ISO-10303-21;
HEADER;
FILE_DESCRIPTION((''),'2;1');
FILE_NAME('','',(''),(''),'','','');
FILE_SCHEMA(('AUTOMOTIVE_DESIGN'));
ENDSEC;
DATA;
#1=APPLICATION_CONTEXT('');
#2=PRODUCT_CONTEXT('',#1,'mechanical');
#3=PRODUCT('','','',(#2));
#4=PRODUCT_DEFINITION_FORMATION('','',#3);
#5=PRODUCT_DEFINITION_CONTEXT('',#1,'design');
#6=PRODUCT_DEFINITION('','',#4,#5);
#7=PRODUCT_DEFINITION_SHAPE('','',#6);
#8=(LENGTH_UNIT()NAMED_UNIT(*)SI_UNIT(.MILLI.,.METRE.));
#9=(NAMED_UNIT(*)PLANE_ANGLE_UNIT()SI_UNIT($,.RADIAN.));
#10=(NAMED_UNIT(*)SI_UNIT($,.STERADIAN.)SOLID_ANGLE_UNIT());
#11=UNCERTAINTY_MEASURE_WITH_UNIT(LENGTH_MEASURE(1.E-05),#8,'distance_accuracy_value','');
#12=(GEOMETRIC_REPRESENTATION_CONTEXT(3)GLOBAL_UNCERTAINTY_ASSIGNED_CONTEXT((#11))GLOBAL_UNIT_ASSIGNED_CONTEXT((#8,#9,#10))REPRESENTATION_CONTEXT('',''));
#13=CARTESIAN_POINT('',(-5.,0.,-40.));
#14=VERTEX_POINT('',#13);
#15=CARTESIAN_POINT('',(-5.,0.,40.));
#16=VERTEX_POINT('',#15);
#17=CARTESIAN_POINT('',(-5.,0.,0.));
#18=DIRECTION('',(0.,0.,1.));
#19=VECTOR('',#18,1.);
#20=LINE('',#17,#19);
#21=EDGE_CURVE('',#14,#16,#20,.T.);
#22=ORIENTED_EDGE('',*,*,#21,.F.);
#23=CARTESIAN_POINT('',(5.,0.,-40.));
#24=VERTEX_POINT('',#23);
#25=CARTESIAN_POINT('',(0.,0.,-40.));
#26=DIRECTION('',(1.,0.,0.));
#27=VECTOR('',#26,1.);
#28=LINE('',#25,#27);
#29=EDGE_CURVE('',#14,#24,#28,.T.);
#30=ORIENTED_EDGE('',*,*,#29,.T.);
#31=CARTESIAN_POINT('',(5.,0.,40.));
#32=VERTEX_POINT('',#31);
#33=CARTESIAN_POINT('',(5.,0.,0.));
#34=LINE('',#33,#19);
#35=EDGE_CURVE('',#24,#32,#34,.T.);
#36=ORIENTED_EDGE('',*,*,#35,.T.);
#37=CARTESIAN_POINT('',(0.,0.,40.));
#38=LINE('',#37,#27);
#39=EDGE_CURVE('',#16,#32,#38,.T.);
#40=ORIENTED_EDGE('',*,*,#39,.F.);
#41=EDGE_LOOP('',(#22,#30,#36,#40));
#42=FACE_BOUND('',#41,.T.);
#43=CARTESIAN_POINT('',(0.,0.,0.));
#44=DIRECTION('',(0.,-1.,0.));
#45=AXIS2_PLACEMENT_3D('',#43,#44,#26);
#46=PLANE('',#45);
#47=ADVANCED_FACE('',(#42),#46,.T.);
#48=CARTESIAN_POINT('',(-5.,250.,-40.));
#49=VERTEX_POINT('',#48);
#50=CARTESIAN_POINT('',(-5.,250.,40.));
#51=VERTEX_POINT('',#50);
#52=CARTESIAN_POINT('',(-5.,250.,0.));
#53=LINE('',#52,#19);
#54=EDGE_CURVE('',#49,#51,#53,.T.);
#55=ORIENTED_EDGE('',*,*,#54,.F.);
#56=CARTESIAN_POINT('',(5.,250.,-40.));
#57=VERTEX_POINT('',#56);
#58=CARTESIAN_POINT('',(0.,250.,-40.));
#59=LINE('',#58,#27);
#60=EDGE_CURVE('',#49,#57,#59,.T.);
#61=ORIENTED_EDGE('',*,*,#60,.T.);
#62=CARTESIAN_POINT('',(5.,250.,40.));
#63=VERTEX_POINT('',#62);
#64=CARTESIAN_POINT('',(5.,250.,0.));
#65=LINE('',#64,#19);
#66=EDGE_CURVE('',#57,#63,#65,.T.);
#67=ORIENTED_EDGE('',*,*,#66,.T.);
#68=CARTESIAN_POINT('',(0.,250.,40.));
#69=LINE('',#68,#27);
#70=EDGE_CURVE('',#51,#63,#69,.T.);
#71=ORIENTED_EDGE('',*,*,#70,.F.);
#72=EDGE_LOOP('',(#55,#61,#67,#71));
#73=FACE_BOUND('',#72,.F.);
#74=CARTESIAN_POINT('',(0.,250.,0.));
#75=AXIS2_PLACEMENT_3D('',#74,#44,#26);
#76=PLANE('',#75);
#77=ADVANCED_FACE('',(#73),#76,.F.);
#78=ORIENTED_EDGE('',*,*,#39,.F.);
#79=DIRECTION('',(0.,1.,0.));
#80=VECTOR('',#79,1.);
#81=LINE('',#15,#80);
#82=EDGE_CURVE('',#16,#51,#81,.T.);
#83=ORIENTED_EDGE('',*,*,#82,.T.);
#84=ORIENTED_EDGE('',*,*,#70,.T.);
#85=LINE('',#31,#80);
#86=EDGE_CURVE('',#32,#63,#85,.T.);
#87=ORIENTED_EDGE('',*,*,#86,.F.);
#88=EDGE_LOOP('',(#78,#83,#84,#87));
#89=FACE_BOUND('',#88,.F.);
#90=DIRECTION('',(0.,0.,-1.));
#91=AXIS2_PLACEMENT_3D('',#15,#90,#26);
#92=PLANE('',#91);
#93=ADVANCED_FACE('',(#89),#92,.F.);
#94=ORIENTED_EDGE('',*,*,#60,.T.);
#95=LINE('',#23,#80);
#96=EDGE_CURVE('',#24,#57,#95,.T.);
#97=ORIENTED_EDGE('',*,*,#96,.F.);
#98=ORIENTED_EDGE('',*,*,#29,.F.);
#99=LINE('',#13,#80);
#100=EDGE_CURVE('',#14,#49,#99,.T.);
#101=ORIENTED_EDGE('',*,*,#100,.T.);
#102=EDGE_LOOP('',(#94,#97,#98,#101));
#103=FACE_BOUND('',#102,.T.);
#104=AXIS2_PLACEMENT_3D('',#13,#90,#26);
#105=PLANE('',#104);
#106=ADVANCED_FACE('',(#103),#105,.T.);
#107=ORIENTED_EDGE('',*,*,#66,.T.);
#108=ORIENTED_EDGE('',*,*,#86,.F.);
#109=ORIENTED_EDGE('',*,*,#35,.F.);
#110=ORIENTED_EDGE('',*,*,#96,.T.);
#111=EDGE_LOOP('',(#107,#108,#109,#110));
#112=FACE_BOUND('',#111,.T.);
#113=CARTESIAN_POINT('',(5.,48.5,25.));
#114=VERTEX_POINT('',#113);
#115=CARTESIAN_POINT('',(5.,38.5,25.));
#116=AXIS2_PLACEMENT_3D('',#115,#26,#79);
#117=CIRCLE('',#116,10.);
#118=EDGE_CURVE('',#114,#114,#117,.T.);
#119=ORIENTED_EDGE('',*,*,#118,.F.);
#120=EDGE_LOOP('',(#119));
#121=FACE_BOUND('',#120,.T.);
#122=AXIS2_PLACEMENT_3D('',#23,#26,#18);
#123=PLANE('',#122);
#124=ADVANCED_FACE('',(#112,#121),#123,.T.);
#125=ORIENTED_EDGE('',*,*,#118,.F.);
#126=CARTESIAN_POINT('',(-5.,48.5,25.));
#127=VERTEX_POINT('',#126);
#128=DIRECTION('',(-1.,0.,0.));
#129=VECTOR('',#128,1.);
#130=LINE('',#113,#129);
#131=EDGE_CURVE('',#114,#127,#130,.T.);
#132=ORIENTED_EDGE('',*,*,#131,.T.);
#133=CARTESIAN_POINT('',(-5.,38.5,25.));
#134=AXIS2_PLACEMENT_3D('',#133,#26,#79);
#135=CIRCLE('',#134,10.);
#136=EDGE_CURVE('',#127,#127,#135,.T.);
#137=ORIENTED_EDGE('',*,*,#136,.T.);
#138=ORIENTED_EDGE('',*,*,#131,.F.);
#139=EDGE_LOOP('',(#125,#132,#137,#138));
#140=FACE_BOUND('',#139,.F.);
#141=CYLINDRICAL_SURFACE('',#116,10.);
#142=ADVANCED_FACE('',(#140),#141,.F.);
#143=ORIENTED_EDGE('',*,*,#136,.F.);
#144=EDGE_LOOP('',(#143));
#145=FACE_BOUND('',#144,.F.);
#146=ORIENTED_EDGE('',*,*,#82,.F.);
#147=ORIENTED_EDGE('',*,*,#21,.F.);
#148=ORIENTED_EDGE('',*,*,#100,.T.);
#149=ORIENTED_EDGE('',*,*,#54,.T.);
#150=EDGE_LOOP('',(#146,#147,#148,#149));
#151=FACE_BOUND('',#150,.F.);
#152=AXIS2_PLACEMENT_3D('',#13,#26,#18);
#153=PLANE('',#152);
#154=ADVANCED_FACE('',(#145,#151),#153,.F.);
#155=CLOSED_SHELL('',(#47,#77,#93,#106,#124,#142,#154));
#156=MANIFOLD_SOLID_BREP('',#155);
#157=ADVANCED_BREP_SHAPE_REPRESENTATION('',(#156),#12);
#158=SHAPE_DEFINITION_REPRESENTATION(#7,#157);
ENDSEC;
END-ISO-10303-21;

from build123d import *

# Parameters (mm, degrees)
F0_W     = 10
F0_H     = 80
F1_DEPTH = 250
F2_R     = 10
F3_DEPTH = 10.001


with BuildPart() as f1:
    # F0 (on Front) → F1 (new body)
    with BuildSketch(Plane.XZ):
        Rectangle(F0_W, F0_H)
    extrude(amount=-F1_DEPTH)

    # F2 (on face) → F3 (cut, through all)
    with BuildSketch(Plane.YZ.offset(5)):
        with Locations((38.5, 25)):
            Circle(F2_R)
    extrude(amount=-F3_DEPTH, mode=Mode.SUBTRACT)


solid = f1.part
